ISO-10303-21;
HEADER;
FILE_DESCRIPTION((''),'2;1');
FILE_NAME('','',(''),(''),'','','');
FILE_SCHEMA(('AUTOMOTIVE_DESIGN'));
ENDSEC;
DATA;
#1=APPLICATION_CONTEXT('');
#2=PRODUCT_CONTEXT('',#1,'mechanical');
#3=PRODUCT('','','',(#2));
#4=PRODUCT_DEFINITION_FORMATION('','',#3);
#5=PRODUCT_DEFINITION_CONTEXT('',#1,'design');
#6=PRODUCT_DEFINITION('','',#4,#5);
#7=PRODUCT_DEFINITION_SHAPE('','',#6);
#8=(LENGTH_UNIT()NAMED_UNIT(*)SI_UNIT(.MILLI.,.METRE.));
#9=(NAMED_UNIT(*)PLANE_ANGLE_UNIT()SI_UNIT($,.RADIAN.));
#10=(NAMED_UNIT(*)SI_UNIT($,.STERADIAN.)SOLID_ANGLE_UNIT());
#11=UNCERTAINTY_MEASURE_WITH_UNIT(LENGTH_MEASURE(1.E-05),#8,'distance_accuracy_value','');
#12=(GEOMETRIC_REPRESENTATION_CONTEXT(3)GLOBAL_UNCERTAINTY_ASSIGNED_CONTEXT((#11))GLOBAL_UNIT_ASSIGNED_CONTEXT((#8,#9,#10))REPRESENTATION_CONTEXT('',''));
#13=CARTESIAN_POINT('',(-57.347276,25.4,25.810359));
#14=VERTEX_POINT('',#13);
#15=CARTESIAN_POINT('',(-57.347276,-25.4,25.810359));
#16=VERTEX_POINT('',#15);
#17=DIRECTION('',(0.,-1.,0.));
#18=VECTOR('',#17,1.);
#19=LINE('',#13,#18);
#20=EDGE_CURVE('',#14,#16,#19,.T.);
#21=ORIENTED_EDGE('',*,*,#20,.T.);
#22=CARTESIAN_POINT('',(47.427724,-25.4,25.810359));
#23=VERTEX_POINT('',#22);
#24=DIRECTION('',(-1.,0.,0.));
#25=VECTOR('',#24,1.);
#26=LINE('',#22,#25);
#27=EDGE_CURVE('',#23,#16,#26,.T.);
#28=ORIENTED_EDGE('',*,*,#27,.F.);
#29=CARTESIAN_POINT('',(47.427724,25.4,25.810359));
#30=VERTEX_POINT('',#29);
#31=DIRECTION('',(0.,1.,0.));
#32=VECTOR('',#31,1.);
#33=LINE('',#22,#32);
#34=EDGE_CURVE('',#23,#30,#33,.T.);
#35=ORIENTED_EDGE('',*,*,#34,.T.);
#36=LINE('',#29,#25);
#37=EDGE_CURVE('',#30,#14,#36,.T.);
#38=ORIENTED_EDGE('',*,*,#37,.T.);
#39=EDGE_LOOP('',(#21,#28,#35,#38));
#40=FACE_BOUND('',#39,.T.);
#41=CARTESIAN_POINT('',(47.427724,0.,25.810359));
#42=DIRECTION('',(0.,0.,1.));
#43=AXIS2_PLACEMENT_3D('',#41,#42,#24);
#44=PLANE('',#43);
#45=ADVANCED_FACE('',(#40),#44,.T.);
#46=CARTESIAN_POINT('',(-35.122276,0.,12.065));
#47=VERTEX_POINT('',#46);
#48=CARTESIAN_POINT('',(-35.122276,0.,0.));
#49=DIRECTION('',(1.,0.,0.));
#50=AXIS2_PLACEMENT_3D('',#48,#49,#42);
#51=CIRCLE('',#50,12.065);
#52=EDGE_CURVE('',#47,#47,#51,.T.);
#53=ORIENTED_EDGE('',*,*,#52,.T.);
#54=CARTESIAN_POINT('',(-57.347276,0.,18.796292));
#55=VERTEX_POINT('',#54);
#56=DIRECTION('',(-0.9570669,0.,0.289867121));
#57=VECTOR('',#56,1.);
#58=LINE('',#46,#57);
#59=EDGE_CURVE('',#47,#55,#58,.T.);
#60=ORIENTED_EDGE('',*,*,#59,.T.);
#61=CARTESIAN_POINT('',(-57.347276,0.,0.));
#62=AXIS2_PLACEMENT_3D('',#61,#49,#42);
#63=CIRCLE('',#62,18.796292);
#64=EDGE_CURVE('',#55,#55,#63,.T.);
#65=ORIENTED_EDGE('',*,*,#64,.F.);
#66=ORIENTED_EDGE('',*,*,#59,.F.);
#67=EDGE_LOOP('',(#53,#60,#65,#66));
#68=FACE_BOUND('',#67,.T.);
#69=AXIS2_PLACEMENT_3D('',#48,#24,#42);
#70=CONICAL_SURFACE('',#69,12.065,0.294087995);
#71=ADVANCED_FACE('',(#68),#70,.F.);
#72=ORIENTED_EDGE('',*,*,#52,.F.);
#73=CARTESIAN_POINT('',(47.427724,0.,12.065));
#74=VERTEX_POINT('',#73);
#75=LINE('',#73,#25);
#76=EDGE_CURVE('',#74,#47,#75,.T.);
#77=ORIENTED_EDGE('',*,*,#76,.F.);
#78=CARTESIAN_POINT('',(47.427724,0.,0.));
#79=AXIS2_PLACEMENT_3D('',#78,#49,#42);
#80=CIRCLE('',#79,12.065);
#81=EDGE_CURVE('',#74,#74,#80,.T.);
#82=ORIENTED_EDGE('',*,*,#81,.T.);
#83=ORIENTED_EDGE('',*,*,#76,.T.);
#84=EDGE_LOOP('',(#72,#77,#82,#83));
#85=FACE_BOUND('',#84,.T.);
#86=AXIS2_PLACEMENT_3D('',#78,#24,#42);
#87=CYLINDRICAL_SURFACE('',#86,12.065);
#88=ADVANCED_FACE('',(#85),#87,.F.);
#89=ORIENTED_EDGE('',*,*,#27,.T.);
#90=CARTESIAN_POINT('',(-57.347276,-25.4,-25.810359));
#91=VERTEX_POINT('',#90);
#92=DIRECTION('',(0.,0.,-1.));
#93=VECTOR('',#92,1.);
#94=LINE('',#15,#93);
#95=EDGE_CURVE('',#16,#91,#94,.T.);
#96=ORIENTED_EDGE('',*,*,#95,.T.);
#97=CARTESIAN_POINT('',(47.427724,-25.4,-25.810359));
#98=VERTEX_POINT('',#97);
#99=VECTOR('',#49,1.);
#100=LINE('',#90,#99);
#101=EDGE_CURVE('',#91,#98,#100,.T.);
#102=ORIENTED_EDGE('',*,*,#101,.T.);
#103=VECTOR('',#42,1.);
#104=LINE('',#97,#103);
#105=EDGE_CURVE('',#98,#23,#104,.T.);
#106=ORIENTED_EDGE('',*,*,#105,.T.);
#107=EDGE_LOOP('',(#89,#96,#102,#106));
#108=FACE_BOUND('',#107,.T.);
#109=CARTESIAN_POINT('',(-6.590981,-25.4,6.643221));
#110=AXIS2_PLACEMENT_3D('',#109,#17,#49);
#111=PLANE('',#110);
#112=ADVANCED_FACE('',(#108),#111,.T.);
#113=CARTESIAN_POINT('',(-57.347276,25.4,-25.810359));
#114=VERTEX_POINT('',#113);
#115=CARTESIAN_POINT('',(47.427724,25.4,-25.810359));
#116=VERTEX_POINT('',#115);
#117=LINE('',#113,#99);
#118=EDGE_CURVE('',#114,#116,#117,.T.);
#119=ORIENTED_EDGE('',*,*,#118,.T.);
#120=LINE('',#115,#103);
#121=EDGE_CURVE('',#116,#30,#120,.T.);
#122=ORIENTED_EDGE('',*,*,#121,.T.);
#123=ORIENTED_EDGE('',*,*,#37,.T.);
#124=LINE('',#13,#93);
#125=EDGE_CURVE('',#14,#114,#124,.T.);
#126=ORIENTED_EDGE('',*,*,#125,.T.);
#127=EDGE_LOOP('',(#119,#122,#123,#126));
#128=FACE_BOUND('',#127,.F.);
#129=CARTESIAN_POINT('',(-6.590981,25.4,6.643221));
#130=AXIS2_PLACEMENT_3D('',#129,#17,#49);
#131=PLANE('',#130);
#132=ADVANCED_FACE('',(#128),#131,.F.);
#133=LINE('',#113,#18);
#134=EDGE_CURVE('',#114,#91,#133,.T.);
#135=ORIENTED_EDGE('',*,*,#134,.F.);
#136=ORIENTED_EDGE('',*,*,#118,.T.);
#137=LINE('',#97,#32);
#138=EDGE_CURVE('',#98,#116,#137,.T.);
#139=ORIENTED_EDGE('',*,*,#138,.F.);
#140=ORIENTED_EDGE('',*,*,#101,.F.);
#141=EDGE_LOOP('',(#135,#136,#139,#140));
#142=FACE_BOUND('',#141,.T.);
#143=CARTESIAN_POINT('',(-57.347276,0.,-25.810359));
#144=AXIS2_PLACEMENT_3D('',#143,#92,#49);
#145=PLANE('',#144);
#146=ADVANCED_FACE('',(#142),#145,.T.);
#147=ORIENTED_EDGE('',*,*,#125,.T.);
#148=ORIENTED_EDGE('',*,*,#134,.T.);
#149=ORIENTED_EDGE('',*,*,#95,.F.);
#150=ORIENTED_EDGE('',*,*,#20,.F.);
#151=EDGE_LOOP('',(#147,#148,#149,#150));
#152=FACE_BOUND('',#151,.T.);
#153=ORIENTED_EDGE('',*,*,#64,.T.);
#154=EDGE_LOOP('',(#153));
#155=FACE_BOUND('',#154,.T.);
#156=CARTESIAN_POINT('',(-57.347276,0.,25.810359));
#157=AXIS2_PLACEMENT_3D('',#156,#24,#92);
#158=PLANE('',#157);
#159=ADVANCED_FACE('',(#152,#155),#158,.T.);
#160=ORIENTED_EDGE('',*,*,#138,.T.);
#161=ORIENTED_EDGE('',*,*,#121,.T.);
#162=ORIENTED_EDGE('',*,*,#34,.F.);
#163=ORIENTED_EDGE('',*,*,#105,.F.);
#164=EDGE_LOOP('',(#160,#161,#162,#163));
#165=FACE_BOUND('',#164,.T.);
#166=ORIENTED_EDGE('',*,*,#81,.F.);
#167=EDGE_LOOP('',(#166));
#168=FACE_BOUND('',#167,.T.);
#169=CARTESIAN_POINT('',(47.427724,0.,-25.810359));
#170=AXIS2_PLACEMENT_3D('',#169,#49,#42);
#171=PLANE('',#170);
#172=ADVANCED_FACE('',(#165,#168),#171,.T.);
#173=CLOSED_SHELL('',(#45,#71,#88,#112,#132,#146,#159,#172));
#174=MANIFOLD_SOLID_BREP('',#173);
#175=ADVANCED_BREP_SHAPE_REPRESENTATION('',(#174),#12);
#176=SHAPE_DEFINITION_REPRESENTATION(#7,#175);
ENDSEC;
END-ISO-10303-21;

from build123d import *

# Parameters (mm, degrees)
F1_DEPTH = 25.4


with BuildPart() as f1:
    # F0 (on Front) → F1 (new body, symmetric)
    with BuildSketch(Plane.XZ):
        Polygon((-57.347276, 0), (47.427724, 0), (47.427724, 12.065), (-35.122276, 12.065), (-57.347276, 18.796292), align=None)
        Polygon((47.427724, -12.065), (47.427724, 0), (-57.347276, 0), (-57.347276, -18.796292), (-35.122276, -12.065), align=None)
        Polygon((-35.122276, 12.065), (47.427724, 12.065), (47.427724, 25.810359), (-57.347276, 25.810359), (-57.347276, 18.796292), align=None)
        Polygon((47.427724, -25.810359), (47.427724, -12.065), (-35.122276, -12.065), (-57.347276, -18.796292), (-57.347276, -25.810359), align=None)
    extrude(amount=F1_DEPTH, both=True)

    # F0 (on Front) → F2 (revolve, cut)
    with BuildSketch(Plane.XZ):
        Polygon((-57.347276, 0), (47.427724, 0), (47.427724, 12.065), (-35.122276, 12.065), (-57.347276, 18.796292), align=None)
    revolve(axis=Axis((-5.605094, 0, 0), (1, 0, 0)), mode=Mode.SUBTRACT)


solid = f1.part
